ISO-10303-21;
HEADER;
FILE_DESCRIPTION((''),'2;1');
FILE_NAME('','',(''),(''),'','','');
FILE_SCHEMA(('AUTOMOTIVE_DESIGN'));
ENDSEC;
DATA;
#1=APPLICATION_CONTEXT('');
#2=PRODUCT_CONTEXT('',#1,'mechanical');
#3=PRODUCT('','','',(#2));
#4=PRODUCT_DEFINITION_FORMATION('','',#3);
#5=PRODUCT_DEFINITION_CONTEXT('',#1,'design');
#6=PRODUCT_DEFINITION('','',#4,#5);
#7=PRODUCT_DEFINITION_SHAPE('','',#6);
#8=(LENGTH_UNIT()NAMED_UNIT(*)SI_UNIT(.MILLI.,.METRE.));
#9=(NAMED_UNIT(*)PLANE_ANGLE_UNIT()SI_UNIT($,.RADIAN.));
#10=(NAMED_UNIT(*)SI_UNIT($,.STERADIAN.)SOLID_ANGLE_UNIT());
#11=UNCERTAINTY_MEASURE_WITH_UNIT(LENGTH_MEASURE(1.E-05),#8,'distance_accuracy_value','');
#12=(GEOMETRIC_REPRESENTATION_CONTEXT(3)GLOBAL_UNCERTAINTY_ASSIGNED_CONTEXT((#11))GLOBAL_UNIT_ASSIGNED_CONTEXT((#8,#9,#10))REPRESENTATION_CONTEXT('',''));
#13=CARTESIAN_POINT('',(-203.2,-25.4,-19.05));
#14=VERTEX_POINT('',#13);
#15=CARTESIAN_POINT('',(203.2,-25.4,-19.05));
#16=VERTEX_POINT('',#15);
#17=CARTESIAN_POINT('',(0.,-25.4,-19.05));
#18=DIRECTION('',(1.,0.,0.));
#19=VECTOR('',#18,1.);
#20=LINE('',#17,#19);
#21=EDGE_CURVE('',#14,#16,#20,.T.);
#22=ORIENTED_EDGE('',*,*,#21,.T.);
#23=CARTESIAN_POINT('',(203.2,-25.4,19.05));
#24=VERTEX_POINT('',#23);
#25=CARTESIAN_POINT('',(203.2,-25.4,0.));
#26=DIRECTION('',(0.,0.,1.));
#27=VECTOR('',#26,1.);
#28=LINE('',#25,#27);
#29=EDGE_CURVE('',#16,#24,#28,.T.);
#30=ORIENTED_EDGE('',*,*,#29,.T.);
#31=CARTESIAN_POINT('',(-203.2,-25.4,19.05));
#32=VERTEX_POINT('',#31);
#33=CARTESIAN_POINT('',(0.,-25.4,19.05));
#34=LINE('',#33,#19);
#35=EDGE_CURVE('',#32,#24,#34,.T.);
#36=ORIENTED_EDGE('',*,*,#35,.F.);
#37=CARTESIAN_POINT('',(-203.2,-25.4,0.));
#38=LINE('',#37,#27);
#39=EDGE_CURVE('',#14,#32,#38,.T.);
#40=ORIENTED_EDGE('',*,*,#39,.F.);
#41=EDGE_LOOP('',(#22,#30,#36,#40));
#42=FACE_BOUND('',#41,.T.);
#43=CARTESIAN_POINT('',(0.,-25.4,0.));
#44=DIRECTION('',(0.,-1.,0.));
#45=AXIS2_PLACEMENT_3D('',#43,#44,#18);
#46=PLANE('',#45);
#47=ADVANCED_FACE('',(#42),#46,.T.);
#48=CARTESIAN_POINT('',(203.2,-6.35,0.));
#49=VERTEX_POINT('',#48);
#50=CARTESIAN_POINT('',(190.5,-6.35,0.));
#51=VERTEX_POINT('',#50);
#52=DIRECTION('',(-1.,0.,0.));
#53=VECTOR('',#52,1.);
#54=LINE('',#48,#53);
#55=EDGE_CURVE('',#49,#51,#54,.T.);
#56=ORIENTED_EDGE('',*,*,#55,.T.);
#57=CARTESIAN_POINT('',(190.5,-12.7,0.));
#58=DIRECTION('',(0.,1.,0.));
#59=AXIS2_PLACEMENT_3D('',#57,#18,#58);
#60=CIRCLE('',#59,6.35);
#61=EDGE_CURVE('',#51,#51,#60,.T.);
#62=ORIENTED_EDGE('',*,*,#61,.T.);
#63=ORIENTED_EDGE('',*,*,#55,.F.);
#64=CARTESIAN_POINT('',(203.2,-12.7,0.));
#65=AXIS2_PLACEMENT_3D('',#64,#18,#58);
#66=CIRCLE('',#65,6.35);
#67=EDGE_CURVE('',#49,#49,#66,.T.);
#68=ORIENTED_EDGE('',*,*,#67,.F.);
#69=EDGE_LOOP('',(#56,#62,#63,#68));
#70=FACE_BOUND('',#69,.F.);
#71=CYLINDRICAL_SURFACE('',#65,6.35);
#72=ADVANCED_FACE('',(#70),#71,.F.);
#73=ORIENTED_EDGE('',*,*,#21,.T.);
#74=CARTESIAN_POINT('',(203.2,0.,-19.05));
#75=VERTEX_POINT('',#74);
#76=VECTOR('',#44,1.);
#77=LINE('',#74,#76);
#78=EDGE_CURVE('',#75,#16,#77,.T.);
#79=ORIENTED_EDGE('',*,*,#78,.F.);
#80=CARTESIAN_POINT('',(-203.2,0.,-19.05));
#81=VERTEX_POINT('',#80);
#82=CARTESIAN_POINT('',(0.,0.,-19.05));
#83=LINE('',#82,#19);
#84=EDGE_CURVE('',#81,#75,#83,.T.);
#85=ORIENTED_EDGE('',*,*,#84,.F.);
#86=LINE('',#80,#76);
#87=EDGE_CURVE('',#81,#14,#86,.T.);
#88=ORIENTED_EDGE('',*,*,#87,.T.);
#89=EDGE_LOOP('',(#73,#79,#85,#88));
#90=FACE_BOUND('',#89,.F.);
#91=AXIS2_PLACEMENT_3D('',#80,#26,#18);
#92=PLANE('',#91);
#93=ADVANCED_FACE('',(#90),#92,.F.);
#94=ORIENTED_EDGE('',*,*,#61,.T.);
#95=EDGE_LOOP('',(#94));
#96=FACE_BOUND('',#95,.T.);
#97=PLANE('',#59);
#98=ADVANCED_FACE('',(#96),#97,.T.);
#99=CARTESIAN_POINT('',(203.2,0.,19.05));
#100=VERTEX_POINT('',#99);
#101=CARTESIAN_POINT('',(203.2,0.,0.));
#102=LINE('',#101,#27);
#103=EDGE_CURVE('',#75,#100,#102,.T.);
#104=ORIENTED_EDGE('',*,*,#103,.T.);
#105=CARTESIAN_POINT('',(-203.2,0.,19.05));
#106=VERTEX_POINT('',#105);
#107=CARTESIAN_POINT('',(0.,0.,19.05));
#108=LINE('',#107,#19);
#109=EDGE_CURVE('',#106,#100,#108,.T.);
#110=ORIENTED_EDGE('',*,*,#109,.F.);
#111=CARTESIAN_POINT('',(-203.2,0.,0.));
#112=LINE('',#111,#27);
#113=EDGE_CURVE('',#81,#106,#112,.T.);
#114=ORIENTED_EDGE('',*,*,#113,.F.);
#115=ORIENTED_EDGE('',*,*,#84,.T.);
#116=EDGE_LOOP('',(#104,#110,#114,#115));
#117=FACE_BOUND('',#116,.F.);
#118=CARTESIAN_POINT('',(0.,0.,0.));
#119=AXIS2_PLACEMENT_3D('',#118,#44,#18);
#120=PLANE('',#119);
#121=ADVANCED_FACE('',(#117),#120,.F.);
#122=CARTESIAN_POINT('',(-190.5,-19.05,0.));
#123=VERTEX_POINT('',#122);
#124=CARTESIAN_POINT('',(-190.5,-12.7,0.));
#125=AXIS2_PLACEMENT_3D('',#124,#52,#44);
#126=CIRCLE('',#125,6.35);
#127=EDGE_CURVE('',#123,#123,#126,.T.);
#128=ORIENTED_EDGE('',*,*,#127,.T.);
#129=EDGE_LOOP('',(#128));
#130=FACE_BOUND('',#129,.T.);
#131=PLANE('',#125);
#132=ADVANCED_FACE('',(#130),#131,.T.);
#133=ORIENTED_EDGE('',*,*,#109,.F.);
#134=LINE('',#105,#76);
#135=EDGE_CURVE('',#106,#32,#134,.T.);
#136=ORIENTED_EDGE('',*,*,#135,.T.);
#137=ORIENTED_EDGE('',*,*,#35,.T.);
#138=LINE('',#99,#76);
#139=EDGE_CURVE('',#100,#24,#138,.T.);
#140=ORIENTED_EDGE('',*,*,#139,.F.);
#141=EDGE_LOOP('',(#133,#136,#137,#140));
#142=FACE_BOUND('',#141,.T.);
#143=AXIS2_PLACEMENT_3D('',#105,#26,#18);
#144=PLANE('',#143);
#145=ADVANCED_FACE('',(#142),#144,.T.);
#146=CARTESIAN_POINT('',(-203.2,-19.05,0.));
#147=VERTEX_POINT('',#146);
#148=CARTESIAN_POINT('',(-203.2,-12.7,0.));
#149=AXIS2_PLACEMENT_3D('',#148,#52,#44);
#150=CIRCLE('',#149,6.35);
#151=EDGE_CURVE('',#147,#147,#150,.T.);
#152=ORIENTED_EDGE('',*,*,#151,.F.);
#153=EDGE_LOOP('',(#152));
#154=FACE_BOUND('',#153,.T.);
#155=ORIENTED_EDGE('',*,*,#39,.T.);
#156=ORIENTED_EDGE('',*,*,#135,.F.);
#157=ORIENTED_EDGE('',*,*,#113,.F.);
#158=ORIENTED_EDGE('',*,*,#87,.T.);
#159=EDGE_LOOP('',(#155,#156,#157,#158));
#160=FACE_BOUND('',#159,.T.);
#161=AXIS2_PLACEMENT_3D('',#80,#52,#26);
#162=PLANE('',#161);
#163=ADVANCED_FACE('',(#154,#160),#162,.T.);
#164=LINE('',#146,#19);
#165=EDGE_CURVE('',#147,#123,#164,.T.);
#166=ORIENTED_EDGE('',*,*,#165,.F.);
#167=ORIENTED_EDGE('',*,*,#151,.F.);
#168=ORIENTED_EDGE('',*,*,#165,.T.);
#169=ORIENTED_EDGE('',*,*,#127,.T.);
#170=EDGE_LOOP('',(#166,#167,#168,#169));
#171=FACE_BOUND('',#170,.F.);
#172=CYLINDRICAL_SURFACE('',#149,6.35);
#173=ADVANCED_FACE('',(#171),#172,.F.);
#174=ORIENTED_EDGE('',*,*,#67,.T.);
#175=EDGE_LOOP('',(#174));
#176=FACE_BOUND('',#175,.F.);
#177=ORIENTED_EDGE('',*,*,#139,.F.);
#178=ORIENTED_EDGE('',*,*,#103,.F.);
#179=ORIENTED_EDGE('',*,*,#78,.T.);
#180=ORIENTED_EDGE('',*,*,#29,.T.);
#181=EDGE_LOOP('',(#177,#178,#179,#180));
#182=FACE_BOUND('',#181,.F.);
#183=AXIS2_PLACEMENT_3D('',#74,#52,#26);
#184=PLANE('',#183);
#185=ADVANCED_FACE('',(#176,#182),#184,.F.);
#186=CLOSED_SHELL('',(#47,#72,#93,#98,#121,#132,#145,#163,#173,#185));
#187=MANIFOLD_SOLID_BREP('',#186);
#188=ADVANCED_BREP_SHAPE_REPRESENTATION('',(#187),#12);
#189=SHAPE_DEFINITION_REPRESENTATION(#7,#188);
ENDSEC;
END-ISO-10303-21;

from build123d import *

# Parameters (mm, degrees)
F0_W     = 406.4
F0_H     = 38.1
F1_DEPTH = 25.4
F2_R     = 6.35
F3_DEPTH = 12.7
F4_R     = 6.35
F5_DEPTH = 12.7


with BuildPart() as f1:
    # F0 (on Front) → F1 (new body)
    with BuildSketch(Plane.XZ):
        Rectangle(F0_W, F0_H)
    extrude(amount=F1_DEPTH)

    # F2 (on face) → F3 (cut)
    with BuildSketch(Plane(origin=(-203.2, 0, 0), x_dir=(0, -1, 0), z_dir=(-1, 0, 0))):
        with Locations((12.7, 0)):
            Circle(F2_R)
    extrude(amount=-F3_DEPTH, mode=Mode.SUBTRACT)

    # F4 (on face) → F5 (cut)
    with BuildSketch(Plane.YZ.offset(203.2)):
        with Locations((-12.7, 0)):
            Circle(F4_R)
    extrude(amount=-F5_DEPTH, mode=Mode.SUBTRACT)


solid = f1.part
